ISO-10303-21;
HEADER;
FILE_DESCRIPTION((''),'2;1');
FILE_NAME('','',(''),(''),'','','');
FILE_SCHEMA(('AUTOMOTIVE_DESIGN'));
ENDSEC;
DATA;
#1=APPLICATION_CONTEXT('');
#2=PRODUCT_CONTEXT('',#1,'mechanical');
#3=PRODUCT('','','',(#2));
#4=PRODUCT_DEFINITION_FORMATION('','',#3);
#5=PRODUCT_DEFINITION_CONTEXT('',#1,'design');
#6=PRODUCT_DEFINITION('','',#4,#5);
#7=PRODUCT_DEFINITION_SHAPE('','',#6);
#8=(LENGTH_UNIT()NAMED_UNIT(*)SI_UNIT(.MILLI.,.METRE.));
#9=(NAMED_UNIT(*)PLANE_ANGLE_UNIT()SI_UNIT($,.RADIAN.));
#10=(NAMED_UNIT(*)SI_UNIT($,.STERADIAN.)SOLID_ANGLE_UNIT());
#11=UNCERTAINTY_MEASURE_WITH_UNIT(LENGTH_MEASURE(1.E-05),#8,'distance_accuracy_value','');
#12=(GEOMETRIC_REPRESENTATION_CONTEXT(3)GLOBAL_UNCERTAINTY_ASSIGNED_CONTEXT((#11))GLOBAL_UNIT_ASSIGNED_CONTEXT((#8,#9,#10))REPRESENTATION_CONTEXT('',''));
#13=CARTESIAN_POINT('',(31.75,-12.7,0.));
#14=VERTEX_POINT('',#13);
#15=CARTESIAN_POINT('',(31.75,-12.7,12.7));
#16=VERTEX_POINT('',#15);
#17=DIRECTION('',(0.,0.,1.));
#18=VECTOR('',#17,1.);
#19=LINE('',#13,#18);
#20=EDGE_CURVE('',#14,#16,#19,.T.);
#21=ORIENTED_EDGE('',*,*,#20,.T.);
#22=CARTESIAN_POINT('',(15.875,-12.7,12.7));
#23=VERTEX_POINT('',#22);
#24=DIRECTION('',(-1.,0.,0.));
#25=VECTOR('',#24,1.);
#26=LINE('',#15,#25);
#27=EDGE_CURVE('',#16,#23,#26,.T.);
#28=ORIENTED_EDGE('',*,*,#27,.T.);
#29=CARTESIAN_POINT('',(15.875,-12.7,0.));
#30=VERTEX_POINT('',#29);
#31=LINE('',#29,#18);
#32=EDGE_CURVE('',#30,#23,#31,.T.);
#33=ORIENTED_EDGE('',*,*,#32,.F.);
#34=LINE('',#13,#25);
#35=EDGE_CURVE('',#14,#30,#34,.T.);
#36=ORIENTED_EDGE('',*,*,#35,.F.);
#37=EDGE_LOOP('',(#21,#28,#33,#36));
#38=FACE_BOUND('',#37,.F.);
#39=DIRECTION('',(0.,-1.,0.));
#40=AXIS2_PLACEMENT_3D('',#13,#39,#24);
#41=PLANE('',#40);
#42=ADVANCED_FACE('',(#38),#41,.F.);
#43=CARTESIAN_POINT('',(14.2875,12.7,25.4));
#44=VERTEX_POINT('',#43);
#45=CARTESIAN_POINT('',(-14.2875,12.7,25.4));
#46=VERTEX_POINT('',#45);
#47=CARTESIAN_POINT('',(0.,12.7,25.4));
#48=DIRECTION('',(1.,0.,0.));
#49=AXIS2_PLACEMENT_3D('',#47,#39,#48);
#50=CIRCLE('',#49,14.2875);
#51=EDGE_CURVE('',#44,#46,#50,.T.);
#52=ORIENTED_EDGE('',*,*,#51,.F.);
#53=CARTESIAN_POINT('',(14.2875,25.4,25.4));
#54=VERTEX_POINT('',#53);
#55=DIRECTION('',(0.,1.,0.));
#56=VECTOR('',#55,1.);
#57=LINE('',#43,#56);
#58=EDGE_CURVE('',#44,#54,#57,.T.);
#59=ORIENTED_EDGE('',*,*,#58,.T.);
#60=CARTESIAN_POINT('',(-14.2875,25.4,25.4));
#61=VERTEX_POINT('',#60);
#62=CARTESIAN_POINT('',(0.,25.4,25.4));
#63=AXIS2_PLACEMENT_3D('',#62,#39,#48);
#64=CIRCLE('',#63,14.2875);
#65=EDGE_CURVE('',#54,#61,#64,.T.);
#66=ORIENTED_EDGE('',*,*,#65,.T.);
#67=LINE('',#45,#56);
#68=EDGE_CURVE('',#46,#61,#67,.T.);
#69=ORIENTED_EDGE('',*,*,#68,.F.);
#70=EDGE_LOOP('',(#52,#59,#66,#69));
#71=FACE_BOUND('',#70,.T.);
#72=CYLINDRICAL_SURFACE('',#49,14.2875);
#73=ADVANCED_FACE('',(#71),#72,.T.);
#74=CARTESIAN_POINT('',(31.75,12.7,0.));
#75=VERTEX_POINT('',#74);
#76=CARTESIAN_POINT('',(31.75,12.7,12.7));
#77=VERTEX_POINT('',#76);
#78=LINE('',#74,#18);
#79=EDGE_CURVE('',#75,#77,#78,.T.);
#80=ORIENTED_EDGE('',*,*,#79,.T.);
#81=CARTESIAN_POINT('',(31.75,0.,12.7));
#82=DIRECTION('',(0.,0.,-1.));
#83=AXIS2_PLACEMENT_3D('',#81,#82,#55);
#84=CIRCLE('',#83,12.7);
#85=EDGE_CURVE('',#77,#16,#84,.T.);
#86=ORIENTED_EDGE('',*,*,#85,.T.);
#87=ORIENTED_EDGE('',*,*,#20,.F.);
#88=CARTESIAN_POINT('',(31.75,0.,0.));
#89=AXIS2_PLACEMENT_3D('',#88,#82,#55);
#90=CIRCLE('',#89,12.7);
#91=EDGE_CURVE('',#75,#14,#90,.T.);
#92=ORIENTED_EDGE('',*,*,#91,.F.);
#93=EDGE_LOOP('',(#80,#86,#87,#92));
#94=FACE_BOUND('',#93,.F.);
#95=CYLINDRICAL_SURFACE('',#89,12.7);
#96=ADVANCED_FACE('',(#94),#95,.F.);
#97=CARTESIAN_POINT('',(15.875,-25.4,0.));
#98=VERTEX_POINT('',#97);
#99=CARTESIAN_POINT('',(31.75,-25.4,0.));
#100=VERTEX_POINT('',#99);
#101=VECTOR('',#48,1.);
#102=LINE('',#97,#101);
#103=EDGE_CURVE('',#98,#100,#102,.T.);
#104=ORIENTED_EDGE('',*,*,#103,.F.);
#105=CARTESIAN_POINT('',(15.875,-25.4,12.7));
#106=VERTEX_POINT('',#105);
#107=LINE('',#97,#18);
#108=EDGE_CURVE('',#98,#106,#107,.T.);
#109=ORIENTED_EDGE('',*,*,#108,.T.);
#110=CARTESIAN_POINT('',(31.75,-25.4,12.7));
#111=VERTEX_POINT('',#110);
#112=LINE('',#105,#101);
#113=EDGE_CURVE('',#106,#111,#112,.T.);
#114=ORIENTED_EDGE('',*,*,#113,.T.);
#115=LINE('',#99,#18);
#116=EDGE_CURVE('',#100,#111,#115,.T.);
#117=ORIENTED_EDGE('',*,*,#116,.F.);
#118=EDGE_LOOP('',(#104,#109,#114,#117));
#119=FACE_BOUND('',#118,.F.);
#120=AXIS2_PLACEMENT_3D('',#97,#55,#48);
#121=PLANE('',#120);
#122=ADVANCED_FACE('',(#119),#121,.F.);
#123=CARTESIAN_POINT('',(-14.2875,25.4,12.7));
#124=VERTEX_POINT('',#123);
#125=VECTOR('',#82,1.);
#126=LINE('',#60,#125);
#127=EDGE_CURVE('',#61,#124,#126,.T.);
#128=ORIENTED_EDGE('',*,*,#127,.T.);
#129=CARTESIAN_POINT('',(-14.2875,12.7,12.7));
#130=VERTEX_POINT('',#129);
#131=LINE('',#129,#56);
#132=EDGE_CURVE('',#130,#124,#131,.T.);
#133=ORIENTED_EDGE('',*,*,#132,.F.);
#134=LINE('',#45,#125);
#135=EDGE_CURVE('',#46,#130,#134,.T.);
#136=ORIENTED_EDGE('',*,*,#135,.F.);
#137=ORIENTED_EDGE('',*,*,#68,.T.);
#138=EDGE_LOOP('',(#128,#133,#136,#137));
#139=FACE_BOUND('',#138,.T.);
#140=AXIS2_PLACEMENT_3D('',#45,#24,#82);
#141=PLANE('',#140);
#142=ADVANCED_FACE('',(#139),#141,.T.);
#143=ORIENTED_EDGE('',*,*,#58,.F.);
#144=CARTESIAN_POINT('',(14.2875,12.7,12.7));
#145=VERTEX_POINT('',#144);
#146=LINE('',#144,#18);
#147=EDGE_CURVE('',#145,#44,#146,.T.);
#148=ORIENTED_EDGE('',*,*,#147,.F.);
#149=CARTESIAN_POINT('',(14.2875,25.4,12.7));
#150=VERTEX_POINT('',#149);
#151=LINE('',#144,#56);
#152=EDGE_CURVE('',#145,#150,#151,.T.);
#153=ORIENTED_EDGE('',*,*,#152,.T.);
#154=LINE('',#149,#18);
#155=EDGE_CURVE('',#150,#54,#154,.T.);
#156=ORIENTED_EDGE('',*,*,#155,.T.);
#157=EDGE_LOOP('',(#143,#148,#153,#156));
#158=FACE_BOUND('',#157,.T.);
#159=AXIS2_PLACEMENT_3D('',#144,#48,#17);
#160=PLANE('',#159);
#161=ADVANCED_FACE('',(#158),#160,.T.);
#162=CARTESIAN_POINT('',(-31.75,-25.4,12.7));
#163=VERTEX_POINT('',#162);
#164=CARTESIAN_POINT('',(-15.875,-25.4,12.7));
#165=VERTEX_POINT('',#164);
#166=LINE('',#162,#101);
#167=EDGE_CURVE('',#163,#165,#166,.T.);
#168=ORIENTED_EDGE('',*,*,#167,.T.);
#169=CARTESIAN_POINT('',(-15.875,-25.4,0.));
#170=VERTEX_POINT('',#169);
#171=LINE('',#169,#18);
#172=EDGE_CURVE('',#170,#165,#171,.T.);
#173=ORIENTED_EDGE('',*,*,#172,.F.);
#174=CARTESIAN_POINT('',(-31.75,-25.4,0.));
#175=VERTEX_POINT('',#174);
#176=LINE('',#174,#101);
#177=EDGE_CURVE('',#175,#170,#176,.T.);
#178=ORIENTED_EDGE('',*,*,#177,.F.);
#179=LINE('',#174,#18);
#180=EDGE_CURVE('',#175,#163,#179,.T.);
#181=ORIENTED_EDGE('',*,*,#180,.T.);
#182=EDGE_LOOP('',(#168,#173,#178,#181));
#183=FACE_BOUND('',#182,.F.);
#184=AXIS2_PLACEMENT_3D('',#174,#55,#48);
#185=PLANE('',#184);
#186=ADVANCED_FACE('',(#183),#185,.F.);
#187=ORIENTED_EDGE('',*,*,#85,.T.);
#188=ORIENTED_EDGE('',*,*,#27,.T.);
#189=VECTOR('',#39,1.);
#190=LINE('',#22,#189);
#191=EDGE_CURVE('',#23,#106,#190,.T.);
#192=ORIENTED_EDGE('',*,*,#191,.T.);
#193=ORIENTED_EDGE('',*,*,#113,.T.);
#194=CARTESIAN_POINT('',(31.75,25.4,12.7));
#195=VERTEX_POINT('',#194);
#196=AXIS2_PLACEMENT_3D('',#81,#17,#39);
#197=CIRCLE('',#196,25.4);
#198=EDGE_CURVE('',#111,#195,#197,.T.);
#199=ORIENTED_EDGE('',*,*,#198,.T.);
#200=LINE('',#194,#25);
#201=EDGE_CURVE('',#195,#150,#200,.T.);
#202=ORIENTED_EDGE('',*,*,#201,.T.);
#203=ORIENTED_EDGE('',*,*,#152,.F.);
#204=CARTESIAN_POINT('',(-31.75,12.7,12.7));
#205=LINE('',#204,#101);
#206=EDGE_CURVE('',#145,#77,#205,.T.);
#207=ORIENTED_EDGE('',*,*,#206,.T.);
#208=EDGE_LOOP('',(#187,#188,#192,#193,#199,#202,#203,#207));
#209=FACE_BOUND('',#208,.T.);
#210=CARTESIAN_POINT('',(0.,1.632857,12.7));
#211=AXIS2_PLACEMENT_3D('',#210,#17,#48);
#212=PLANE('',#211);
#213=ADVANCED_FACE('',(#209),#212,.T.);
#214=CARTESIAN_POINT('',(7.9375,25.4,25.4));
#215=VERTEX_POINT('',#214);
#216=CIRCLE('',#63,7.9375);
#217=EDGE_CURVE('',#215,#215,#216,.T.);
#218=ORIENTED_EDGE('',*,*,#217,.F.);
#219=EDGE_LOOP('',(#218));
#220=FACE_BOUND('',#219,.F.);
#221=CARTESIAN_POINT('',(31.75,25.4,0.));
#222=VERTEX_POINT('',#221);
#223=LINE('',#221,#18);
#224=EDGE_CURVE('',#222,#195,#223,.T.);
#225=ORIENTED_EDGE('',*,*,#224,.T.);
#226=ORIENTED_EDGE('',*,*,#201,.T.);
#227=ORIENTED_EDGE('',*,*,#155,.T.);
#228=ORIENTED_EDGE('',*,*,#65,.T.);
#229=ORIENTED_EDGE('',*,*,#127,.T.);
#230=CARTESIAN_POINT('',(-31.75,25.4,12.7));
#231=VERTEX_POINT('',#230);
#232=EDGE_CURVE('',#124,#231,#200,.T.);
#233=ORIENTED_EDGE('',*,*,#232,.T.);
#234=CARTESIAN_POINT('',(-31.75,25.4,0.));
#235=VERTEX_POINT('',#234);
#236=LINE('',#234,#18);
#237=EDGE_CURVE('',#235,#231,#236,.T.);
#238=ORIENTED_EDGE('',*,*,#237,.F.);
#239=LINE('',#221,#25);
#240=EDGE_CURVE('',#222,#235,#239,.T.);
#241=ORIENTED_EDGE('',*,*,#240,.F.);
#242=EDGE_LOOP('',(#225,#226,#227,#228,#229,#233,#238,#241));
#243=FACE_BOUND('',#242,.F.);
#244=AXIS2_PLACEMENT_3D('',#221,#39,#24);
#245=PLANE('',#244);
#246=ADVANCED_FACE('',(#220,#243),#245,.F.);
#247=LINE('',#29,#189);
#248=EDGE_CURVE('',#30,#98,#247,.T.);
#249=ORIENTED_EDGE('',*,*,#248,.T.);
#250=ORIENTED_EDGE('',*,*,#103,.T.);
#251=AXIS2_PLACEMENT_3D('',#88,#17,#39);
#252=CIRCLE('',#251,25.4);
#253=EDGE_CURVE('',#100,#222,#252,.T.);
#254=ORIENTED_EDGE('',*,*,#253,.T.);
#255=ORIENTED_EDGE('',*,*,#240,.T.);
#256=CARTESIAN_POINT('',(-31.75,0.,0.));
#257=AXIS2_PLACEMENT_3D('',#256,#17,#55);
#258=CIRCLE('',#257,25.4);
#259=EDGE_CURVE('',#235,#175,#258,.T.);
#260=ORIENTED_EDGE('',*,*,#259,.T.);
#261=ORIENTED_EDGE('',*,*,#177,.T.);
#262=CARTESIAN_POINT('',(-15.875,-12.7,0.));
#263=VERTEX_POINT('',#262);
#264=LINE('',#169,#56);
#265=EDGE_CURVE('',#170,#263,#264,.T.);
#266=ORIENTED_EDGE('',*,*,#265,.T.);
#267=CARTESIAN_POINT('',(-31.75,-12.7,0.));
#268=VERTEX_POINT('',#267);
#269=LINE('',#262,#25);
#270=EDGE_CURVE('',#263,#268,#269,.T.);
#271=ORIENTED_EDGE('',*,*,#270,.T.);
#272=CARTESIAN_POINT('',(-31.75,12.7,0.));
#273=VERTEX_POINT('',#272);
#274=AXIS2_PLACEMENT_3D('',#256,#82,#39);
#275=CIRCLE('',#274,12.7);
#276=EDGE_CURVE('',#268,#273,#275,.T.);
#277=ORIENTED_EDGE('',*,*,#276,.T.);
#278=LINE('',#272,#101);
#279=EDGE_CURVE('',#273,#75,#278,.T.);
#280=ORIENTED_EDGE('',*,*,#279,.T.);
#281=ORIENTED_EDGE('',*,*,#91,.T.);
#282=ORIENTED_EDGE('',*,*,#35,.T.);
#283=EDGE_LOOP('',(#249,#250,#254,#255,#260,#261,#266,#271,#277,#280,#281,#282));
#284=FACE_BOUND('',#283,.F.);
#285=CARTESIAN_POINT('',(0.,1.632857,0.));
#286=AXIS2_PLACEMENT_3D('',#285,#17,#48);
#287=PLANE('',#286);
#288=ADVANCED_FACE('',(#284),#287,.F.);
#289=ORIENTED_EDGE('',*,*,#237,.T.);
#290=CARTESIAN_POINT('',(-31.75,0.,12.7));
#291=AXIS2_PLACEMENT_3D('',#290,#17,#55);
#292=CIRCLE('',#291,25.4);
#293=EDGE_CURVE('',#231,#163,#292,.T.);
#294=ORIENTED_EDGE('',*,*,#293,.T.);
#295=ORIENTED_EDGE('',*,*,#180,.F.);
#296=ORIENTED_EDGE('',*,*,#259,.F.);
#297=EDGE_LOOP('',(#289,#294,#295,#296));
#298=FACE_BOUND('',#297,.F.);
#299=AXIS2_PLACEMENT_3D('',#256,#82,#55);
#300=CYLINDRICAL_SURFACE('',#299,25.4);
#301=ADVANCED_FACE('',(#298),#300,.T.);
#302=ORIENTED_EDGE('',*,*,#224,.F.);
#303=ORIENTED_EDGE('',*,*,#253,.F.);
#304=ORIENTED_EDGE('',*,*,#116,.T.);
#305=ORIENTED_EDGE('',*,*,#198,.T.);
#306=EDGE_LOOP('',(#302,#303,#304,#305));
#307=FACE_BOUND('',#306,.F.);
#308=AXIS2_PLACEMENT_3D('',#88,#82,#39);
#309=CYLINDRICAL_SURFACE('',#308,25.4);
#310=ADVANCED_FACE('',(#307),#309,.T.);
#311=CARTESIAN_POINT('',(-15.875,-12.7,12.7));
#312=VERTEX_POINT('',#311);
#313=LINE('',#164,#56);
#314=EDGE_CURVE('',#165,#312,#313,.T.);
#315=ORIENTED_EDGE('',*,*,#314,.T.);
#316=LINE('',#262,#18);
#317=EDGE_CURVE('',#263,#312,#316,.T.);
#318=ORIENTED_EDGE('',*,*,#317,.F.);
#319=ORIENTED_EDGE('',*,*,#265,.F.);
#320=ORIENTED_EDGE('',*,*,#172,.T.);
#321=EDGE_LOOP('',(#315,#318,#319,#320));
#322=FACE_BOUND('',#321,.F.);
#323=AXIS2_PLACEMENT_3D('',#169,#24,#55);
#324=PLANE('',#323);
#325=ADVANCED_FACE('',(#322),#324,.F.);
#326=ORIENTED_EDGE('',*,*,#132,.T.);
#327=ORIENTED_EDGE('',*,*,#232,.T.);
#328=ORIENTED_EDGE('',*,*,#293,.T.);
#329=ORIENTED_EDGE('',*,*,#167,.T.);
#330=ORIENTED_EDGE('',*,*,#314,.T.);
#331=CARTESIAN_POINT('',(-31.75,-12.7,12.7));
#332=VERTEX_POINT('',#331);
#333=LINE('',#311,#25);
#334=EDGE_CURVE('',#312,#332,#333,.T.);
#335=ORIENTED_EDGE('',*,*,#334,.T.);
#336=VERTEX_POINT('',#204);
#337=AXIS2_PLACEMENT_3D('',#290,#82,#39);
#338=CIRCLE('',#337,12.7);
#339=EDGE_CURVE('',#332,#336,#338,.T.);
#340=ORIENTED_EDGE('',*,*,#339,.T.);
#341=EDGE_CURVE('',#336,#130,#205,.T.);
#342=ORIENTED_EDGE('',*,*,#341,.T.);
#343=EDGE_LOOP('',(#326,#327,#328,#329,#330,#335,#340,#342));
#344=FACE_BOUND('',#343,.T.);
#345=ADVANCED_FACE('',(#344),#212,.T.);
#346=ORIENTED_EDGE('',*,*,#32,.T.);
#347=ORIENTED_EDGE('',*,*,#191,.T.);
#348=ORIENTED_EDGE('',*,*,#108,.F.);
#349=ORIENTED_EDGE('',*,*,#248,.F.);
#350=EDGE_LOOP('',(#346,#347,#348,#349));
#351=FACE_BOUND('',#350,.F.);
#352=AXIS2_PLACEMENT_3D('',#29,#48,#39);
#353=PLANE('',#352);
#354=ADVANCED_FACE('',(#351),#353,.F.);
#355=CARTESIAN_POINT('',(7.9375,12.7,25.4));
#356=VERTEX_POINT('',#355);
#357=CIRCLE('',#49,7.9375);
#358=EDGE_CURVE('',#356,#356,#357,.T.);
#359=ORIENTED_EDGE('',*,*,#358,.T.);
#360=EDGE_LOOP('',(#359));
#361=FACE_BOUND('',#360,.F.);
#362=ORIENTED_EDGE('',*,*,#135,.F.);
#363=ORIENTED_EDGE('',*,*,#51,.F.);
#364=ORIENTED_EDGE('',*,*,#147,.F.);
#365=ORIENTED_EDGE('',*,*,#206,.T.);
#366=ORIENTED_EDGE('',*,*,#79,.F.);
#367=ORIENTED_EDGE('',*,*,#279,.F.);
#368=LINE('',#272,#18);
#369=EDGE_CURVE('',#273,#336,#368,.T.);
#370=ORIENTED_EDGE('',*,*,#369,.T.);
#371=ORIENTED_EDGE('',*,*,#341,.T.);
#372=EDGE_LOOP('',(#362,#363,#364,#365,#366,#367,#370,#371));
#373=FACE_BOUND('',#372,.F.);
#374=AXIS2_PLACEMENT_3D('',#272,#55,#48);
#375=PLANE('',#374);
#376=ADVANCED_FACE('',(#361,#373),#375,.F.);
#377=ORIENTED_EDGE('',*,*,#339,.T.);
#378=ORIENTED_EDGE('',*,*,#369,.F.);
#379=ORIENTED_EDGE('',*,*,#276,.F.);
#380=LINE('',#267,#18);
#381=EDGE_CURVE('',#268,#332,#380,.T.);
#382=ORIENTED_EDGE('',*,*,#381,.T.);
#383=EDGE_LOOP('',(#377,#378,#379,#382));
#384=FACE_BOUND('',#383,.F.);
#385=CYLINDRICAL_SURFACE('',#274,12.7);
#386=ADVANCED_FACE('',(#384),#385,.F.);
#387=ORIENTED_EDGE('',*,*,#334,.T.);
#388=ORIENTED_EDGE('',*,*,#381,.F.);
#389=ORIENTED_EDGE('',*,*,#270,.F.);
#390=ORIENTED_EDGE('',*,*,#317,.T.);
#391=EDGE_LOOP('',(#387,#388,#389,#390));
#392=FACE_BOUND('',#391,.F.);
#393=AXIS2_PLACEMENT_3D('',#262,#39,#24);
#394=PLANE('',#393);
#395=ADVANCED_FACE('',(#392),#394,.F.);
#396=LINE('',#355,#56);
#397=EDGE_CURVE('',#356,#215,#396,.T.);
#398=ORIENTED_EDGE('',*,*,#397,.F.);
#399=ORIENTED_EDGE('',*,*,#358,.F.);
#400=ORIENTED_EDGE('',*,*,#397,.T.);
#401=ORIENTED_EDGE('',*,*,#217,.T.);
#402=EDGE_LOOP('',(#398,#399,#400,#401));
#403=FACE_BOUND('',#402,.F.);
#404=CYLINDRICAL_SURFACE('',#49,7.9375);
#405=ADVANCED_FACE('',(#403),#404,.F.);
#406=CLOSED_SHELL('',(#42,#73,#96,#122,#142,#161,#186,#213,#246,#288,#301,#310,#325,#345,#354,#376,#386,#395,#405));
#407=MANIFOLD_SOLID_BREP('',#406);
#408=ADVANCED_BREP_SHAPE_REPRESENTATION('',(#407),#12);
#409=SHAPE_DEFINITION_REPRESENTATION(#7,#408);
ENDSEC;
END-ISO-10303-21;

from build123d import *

# Parameters (mm, degrees)
F1_DEPTH = 12.7
F2_R     = 7.9375
F3_DEPTH = 12.7


with BuildPart() as f1:
    # F0 (on Top) → F1 (new body)
    with BuildSketch(Plane.XY):
        with BuildLine():
            ThreePointArc((31.75, 12.7), (44.45, 0), (31.75, -12.7))
            Line((31.75, -12.7), (15.875, -12.7))
            Line((15.875, -12.7), (15.875, -25.4))
            Line((15.875, -25.4), (31.75, -25.4))
            ThreePointArc((31.75, -25.4), (57.15, 0), (31.75, 25.4))
            Line((31.75, 25.4), (0, 25.4))
            Line((0, 25.4), (-31.75, 25.4))
            ThreePointArc((-31.75, 25.4), (-57.15, 0), (-31.75, -25.4))
            Line((-31.75, -25.4), (-15.875, -25.4))
            Line((-15.875, -25.4), (-15.875, -12.7))
            Line((-15.875, -12.7), (-31.75, -12.7))
            ThreePointArc((-31.75, -12.7), (-44.45, 0), (-31.75, 12.7))
            Line((-31.75, 12.7), (0, 12.7))
            Line((0, 12.7), (31.75, 12.7))
        make_face()
    extrude(amount=F1_DEPTH)

    # F2 (on face) → F3 (join)
    with BuildSketch(Plane.XZ.offset(-12.7)):
        with BuildLine():
            Line((14.2875, 12.7), (14.2875, 25.4))
            ThreePointArc((14.2875, 25.4), (0, 39.6875), (-14.2875, 25.4))
            Line((-14.2875, 25.4), (-14.2875, 12.7))
            Line((-14.2875, 12.7), (14.2875, 12.7))
        make_face()
        with Locations((0, 25.4)):
            Circle(F2_R, mode=Mode.SUBTRACT)
    extrude(amount=-F3_DEPTH)


solid = f1.part
